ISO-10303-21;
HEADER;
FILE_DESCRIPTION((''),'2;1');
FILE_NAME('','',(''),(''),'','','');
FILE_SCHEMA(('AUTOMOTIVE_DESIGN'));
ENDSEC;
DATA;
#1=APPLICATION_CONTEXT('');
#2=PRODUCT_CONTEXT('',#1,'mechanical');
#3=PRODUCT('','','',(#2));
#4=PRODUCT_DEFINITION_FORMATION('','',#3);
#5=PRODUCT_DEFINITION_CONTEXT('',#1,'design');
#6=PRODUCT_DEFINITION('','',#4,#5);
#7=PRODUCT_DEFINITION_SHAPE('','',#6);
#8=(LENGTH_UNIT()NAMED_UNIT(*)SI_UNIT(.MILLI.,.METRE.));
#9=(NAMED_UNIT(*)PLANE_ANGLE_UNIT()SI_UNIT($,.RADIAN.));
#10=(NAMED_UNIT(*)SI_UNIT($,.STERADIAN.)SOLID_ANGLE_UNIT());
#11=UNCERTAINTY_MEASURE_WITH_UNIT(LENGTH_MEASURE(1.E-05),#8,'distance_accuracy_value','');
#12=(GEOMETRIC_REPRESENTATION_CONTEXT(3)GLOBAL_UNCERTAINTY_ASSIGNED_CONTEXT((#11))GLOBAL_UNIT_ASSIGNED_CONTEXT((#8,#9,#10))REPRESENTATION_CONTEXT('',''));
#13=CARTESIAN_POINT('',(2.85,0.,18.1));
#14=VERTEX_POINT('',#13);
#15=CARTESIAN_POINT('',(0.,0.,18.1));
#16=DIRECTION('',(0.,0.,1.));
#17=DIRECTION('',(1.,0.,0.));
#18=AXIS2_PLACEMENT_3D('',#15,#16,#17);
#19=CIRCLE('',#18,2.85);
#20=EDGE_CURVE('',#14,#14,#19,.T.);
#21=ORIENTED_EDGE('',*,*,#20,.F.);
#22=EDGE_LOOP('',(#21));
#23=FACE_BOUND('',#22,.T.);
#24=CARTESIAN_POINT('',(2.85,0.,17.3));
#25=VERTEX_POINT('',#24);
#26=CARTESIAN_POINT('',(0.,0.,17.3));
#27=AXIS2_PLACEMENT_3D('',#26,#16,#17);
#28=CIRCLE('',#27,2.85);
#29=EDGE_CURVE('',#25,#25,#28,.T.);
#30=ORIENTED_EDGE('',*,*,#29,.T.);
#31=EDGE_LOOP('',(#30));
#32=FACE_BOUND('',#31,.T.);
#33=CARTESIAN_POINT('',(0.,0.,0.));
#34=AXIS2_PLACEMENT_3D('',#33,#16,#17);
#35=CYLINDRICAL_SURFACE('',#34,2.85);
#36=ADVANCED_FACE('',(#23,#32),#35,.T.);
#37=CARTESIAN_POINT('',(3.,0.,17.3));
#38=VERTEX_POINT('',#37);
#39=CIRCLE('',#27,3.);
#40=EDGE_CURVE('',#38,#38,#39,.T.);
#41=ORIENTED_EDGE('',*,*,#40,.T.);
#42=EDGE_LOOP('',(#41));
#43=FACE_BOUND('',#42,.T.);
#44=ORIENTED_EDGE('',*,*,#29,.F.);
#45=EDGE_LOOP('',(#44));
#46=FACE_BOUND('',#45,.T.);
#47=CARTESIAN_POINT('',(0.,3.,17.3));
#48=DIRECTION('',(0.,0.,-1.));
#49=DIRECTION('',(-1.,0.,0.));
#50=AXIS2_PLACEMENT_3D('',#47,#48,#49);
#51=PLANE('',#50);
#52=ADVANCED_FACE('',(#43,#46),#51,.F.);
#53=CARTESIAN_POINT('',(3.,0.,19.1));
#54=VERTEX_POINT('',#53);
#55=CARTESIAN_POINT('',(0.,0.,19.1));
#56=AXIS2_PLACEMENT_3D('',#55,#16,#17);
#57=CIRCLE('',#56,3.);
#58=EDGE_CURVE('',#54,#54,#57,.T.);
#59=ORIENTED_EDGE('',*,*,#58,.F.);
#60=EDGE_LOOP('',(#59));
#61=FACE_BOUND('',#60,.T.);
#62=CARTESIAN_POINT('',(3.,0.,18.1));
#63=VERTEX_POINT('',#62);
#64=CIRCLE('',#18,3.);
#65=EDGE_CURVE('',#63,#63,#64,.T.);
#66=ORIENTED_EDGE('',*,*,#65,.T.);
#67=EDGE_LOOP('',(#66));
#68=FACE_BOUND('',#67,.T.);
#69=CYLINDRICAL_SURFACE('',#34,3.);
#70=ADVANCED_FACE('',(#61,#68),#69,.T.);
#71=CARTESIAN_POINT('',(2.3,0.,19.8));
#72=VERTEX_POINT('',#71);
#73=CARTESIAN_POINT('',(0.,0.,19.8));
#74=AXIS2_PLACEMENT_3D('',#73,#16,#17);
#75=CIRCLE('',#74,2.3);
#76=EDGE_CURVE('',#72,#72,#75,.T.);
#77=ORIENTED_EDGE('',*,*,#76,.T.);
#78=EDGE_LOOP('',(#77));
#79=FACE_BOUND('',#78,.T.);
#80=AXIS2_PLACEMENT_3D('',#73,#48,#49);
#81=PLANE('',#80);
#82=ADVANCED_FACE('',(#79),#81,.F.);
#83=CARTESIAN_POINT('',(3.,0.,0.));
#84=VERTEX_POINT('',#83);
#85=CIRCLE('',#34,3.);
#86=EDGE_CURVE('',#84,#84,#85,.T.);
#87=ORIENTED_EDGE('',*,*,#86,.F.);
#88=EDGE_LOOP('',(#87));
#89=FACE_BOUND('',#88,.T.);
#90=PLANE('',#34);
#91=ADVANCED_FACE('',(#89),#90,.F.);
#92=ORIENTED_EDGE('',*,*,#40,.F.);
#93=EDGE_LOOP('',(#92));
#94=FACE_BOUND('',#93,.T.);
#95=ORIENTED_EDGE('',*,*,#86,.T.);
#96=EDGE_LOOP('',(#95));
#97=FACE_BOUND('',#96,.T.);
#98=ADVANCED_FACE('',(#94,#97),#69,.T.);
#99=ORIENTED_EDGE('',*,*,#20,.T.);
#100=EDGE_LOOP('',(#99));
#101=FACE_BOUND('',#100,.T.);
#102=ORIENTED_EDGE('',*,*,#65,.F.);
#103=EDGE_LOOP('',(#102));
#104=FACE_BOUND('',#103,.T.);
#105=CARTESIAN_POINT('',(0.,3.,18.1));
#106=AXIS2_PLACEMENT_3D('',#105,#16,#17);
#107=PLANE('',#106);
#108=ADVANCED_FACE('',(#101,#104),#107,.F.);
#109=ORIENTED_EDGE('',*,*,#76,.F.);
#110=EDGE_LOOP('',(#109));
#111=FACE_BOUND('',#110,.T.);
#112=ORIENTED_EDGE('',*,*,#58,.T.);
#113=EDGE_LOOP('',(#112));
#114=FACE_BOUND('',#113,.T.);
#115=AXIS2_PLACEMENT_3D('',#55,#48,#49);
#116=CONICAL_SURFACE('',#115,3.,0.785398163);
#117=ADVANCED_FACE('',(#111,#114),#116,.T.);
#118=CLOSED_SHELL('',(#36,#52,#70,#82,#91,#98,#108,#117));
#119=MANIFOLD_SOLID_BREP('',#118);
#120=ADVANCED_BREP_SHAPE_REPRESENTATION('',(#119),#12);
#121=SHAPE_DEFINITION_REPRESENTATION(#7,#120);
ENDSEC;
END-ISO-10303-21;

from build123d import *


with BuildPart() as part:
    # Sketch2 → Revolve1 (revolve)
    with BuildSketch(Plane(origin=(0, 0, 0), x_dir=(0, 0, -1), z_dir=(1, 0, 0))):
        Polygon((-18.1, 3), (-19.1, 3), (-19.8, 2.3), (-19.8, 0), (0, 0), (0, 3), (-17.3, 3), (-17.3, 2.85), (-18.1, 2.85), align=None)
    revolve(axis=Axis((0, 0, 0), (0, 0, -1)))


solid = part.part
